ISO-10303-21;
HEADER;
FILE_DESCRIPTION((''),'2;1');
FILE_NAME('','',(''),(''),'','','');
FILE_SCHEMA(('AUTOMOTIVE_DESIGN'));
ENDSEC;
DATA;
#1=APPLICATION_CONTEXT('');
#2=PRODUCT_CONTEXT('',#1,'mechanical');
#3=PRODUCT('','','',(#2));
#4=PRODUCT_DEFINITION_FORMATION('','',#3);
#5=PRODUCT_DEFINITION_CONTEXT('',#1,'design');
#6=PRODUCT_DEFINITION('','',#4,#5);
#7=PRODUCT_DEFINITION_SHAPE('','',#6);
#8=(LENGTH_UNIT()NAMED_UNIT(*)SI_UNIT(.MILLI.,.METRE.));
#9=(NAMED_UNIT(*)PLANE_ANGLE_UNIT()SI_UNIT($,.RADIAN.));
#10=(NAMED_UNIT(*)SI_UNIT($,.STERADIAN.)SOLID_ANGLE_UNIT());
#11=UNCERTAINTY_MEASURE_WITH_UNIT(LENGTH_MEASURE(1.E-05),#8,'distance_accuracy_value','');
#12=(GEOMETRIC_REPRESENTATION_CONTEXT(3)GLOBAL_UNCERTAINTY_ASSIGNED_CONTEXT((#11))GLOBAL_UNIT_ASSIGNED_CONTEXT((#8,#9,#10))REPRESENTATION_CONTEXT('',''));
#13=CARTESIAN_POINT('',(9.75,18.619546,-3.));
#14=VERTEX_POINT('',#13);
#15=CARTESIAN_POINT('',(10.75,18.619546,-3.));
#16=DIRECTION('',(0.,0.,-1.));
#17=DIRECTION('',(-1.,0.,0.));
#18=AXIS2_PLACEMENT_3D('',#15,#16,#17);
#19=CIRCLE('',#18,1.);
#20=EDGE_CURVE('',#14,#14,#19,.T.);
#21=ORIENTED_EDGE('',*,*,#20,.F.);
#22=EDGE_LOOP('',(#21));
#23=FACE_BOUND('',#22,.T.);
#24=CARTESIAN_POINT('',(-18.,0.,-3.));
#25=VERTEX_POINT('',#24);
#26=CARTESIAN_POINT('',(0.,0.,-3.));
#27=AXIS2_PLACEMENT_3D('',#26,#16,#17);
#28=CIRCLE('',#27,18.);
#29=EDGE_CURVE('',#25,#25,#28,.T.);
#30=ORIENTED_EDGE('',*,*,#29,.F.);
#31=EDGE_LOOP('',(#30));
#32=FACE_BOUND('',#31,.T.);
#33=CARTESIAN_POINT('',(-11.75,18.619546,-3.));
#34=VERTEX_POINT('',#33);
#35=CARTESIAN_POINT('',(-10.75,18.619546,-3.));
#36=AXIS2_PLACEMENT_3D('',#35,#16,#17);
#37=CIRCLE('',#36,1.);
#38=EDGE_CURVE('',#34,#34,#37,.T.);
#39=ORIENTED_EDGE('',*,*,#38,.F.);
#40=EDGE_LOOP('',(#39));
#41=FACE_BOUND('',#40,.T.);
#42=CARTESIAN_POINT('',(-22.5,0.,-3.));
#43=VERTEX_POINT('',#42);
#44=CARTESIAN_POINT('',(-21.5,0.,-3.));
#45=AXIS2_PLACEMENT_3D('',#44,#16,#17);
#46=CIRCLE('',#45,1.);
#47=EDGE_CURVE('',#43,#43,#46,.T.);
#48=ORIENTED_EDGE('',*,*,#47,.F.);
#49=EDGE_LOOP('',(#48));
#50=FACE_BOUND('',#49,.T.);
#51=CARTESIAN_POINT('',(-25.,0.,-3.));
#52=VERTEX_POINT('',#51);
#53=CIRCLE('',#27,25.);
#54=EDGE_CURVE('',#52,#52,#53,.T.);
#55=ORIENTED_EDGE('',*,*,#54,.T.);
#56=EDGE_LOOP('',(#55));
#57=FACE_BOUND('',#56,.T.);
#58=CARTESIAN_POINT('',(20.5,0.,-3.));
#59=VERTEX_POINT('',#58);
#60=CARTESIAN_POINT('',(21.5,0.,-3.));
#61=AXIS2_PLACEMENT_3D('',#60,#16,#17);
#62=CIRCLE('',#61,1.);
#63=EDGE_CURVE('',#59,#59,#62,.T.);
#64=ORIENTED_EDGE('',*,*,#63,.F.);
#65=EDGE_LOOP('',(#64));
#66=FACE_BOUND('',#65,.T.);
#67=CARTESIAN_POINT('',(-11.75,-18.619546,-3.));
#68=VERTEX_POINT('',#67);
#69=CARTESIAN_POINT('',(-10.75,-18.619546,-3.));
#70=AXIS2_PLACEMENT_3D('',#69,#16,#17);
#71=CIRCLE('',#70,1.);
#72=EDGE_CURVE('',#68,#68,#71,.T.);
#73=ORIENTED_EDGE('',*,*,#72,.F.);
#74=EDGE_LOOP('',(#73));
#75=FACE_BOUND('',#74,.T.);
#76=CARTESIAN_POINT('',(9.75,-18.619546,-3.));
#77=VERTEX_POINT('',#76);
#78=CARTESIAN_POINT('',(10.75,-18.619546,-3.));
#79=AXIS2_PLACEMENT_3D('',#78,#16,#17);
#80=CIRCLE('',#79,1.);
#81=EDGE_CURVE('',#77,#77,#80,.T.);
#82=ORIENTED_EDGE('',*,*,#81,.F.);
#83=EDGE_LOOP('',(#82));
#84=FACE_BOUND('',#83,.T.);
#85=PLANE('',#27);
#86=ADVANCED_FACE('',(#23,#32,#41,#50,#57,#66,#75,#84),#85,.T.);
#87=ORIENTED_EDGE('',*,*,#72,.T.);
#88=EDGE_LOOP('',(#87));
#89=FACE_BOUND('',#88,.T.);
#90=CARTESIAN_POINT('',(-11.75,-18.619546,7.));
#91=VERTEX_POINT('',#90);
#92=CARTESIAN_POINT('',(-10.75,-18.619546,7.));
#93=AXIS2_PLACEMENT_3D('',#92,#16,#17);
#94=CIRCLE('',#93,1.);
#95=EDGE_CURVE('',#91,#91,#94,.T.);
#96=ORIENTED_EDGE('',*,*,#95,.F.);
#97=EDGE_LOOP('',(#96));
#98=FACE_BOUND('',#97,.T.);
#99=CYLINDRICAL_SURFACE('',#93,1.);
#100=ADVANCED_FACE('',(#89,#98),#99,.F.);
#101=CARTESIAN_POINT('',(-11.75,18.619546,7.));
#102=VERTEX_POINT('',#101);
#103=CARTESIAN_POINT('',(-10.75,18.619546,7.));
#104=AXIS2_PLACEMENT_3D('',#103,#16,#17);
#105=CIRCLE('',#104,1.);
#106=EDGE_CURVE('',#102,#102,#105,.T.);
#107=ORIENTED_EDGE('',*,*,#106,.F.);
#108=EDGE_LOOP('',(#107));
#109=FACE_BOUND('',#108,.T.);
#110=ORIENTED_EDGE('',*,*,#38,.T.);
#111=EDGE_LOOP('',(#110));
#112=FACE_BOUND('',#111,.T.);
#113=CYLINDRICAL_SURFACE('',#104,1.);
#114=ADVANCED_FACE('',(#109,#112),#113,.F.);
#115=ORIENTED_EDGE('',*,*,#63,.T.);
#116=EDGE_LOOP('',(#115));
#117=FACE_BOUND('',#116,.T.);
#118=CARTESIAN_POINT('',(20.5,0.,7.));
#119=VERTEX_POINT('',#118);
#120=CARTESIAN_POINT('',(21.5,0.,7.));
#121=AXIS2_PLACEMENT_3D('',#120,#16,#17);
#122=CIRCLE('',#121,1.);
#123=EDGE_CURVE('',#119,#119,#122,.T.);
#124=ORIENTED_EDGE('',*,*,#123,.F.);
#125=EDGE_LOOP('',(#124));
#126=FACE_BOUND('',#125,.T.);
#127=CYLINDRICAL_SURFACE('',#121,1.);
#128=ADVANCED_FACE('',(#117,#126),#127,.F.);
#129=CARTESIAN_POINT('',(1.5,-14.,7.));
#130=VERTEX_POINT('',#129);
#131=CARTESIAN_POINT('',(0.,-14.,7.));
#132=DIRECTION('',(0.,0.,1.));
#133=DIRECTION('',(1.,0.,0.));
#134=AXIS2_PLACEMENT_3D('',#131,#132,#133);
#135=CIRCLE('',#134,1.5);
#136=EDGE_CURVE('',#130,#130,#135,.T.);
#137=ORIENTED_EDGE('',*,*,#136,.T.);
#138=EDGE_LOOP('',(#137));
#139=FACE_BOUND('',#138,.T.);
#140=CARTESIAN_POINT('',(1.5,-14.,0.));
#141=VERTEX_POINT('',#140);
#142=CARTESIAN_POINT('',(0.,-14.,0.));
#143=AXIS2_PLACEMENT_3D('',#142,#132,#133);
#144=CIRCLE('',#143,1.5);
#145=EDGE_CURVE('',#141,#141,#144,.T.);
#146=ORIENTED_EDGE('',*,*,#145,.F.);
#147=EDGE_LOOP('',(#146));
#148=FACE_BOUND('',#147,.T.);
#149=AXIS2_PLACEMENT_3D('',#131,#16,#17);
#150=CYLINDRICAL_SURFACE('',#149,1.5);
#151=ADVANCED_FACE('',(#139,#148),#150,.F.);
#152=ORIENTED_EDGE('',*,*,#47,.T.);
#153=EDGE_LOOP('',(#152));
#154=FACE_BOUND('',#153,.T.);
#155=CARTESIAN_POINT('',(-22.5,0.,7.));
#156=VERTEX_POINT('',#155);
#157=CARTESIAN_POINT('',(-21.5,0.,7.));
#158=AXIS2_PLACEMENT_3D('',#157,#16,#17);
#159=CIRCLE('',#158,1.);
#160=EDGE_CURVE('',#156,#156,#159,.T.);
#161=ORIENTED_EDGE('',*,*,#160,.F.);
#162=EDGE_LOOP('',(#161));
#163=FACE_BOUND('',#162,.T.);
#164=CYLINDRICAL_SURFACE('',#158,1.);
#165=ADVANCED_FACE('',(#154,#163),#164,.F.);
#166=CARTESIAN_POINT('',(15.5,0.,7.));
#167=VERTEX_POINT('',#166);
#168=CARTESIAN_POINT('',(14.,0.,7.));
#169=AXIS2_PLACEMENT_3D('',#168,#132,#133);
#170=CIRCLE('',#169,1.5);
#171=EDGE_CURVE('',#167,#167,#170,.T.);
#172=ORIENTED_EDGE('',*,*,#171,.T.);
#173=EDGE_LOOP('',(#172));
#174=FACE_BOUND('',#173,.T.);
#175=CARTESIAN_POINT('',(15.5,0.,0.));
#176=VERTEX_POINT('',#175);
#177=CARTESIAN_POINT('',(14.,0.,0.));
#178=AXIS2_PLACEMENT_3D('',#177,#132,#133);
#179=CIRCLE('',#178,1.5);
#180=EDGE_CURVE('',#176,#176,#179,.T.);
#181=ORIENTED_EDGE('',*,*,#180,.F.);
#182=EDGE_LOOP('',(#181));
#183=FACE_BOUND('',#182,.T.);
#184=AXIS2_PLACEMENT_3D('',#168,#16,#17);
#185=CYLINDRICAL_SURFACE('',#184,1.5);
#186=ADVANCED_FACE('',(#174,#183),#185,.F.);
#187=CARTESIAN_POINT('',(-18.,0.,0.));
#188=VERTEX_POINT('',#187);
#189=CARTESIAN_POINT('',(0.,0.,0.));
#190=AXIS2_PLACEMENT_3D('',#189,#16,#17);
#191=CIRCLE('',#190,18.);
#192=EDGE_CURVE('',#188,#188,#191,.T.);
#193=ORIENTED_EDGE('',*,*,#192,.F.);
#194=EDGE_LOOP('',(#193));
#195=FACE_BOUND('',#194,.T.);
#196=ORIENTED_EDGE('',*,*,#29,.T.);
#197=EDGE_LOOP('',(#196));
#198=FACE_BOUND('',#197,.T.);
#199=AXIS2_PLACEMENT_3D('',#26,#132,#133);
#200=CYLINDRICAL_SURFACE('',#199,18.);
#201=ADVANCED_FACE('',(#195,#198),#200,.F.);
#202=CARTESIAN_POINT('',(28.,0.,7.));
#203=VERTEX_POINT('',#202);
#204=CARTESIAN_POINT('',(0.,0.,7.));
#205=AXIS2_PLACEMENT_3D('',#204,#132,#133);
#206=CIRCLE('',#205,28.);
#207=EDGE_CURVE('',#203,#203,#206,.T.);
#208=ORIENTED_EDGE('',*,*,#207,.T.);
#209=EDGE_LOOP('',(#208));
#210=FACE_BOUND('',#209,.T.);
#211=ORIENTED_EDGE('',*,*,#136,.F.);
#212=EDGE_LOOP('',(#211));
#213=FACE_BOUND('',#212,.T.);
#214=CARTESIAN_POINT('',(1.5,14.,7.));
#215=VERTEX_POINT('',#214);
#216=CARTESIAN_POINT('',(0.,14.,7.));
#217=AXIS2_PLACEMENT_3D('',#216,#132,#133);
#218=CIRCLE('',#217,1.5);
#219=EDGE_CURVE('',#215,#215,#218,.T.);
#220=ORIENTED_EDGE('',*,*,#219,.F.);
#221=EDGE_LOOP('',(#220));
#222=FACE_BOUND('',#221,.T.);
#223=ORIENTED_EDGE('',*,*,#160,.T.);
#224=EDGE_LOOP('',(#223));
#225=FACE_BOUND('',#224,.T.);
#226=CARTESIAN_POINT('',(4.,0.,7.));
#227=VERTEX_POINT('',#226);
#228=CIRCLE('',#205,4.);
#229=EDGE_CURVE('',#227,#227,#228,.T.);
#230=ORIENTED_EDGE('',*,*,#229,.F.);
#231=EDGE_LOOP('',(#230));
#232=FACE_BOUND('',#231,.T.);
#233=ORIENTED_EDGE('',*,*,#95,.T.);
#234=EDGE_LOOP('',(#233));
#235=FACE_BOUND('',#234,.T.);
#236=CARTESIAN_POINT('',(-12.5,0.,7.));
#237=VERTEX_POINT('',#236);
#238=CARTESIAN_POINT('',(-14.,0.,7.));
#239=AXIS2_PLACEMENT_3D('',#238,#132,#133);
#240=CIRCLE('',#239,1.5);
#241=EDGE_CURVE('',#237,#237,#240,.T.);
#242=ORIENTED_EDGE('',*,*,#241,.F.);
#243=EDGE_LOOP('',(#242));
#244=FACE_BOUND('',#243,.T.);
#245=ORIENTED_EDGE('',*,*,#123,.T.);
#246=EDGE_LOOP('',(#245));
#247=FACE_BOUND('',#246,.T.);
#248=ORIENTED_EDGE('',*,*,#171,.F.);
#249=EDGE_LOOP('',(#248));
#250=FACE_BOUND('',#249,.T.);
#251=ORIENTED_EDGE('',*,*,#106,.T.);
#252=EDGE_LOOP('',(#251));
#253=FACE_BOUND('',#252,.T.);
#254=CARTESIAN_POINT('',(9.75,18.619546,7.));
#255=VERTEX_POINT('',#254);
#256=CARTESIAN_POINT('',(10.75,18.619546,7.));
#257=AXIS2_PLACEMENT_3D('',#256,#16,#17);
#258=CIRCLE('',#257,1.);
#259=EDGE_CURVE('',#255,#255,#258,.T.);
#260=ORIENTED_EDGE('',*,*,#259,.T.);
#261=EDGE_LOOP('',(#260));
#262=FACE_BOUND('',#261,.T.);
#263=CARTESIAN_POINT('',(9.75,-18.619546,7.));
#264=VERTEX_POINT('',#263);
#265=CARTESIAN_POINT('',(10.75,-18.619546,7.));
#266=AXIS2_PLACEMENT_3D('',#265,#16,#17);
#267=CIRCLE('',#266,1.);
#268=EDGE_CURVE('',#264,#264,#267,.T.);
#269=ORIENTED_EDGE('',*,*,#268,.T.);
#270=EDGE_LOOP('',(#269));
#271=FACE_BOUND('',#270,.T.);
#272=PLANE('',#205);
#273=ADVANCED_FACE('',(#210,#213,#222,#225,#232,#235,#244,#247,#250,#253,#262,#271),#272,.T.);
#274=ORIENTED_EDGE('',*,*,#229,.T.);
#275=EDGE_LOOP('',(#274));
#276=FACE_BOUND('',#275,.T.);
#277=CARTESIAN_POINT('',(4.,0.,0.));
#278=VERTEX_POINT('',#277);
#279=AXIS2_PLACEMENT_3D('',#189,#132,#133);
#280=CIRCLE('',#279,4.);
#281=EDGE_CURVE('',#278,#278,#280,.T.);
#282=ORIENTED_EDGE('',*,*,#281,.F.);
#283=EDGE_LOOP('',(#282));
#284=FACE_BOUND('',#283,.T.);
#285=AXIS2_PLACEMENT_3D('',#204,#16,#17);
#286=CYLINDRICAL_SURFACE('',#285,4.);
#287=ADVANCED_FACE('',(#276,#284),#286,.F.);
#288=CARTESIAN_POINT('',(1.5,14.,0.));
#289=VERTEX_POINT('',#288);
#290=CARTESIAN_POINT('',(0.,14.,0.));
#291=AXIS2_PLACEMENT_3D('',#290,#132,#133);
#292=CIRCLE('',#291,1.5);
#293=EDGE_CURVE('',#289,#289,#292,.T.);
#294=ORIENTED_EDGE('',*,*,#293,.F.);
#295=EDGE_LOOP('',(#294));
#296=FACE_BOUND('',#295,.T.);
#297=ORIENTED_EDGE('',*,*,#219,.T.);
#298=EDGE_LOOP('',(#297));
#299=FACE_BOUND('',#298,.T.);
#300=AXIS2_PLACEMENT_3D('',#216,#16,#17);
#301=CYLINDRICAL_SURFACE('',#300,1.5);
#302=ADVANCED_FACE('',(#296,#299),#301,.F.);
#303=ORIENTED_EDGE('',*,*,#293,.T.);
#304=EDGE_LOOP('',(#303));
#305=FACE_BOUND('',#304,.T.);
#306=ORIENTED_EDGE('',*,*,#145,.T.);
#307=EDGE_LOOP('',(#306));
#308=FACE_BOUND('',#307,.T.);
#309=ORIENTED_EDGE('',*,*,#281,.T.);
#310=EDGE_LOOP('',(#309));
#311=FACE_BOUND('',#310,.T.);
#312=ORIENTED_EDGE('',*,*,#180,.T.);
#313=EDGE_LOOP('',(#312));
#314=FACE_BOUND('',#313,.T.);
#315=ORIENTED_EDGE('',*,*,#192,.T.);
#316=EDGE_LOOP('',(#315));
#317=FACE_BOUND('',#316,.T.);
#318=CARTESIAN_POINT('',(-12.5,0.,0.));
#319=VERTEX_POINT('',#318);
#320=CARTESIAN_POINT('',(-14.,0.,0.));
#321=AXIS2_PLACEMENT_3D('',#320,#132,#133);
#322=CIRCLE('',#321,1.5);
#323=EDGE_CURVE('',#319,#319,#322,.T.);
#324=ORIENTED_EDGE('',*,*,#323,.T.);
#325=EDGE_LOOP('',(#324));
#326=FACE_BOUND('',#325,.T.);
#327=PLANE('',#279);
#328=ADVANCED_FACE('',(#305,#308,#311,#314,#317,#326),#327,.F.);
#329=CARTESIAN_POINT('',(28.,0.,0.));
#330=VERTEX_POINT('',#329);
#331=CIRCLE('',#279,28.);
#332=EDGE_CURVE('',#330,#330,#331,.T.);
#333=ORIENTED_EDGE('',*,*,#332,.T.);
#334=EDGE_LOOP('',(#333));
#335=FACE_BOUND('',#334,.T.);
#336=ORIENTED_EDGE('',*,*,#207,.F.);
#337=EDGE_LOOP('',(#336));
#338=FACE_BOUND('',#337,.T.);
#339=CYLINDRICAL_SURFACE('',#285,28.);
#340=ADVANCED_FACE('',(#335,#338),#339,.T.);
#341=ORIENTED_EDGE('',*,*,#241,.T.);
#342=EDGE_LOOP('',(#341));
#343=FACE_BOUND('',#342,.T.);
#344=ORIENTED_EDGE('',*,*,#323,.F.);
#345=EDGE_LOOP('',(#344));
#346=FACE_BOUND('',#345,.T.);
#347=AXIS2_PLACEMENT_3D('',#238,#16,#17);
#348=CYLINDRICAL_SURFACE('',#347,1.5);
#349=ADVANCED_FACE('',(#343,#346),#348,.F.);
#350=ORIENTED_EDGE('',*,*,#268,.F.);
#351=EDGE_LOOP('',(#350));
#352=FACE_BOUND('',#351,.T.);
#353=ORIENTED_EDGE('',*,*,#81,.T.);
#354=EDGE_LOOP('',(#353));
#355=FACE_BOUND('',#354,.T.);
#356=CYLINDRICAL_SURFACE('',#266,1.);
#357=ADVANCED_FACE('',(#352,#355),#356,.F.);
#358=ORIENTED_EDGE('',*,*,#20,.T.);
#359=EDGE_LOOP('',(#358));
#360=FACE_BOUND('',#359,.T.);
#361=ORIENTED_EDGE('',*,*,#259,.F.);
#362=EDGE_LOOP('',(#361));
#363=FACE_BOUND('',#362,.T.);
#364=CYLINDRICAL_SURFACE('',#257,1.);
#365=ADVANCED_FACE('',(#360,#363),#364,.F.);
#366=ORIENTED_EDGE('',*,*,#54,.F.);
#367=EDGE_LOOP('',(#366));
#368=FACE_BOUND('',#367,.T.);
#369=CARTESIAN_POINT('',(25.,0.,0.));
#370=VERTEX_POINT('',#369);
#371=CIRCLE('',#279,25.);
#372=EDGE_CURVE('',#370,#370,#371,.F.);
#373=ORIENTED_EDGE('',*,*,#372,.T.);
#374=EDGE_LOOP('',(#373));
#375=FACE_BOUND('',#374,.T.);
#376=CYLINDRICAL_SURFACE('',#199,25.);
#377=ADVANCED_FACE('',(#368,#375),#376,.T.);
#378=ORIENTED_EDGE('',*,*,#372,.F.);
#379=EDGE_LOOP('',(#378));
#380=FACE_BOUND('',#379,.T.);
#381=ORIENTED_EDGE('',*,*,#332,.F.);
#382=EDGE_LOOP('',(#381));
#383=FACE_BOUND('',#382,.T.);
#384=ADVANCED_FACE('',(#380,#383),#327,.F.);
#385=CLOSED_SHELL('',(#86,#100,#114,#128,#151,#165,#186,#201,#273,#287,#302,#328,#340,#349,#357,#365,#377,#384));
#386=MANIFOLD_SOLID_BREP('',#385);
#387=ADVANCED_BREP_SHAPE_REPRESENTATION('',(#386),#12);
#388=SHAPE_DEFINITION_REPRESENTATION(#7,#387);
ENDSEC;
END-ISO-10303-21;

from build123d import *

# Parameters (mm, degrees)
SKETCH1_R           = 28
SKETCH1_R_2         = 4
SKETCH1_R_3         = 1.5
BOSS_EXTRUDE1_DEPTH = 7
SKETCH2_R           = 25
SKETCH2_R_2         = 18
BOSS_EXTRUDE2_DEPTH = 3
SKETCH3_R           = 1
CUT_EXTRUDE1_DEPTH  = 10


with BuildPart() as part:
    # Sketch1 → Boss-Extrude1 (new body)
    with BuildSketch(Plane.XY):
        Circle(SKETCH1_R)
        Circle(SKETCH1_R_2, mode=Mode.SUBTRACT)
        with Locations((0, 14)):
            Circle(SKETCH1_R_3, mode=Mode.SUBTRACT)
        with Locations((14, 0)):
            Circle(SKETCH1_R_3, mode=Mode.SUBTRACT)
        with Locations((0, -14)):
            Circle(SKETCH1_R_3, mode=Mode.SUBTRACT)
        with Locations((-14, 0)):
            Circle(SKETCH1_R_3, mode=Mode.SUBTRACT)
    extrude(amount=BOSS_EXTRUDE1_DEPTH)

    # Sketch2 → Boss-Extrude2 (add)
    with BuildSketch(Plane(origin=(0, 0, 0), x_dir=(-1, 0, 0), z_dir=(0, 0, -1))):
        with Locations(Location((0, 0, 0), (0, 0, 180))):
            Circle(SKETCH2_R)
        Circle(SKETCH2_R_2, mode=Mode.SUBTRACT)
    extrude(amount=BOSS_EXTRUDE2_DEPTH)

    # Sketch3 → Cut-Extrude1 (cut)
    with BuildSketch(Plane(origin=(0, 0, -3), x_dir=(-1, 0, 0), z_dir=(0, 0, -1))):
        with Locations((-10.75, 18.619546181)):
            Circle(SKETCH3_R)
        with Locations((10.75, 18.619546181)):
            Circle(SKETCH3_R)
        with Locations((21.5, 0)):
            Circle(SKETCH3_R)
        with Locations((10.75, -18.619546181)):
            Circle(SKETCH3_R)
        with Locations((-10.75, -18.619546181)):
            Circle(SKETCH3_R)
        with Locations((-21.5, 0)):
            Circle(SKETCH3_R)
    extrude(amount=-CUT_EXTRUDE1_DEPTH, mode=Mode.SUBTRACT)


solid = part.part
